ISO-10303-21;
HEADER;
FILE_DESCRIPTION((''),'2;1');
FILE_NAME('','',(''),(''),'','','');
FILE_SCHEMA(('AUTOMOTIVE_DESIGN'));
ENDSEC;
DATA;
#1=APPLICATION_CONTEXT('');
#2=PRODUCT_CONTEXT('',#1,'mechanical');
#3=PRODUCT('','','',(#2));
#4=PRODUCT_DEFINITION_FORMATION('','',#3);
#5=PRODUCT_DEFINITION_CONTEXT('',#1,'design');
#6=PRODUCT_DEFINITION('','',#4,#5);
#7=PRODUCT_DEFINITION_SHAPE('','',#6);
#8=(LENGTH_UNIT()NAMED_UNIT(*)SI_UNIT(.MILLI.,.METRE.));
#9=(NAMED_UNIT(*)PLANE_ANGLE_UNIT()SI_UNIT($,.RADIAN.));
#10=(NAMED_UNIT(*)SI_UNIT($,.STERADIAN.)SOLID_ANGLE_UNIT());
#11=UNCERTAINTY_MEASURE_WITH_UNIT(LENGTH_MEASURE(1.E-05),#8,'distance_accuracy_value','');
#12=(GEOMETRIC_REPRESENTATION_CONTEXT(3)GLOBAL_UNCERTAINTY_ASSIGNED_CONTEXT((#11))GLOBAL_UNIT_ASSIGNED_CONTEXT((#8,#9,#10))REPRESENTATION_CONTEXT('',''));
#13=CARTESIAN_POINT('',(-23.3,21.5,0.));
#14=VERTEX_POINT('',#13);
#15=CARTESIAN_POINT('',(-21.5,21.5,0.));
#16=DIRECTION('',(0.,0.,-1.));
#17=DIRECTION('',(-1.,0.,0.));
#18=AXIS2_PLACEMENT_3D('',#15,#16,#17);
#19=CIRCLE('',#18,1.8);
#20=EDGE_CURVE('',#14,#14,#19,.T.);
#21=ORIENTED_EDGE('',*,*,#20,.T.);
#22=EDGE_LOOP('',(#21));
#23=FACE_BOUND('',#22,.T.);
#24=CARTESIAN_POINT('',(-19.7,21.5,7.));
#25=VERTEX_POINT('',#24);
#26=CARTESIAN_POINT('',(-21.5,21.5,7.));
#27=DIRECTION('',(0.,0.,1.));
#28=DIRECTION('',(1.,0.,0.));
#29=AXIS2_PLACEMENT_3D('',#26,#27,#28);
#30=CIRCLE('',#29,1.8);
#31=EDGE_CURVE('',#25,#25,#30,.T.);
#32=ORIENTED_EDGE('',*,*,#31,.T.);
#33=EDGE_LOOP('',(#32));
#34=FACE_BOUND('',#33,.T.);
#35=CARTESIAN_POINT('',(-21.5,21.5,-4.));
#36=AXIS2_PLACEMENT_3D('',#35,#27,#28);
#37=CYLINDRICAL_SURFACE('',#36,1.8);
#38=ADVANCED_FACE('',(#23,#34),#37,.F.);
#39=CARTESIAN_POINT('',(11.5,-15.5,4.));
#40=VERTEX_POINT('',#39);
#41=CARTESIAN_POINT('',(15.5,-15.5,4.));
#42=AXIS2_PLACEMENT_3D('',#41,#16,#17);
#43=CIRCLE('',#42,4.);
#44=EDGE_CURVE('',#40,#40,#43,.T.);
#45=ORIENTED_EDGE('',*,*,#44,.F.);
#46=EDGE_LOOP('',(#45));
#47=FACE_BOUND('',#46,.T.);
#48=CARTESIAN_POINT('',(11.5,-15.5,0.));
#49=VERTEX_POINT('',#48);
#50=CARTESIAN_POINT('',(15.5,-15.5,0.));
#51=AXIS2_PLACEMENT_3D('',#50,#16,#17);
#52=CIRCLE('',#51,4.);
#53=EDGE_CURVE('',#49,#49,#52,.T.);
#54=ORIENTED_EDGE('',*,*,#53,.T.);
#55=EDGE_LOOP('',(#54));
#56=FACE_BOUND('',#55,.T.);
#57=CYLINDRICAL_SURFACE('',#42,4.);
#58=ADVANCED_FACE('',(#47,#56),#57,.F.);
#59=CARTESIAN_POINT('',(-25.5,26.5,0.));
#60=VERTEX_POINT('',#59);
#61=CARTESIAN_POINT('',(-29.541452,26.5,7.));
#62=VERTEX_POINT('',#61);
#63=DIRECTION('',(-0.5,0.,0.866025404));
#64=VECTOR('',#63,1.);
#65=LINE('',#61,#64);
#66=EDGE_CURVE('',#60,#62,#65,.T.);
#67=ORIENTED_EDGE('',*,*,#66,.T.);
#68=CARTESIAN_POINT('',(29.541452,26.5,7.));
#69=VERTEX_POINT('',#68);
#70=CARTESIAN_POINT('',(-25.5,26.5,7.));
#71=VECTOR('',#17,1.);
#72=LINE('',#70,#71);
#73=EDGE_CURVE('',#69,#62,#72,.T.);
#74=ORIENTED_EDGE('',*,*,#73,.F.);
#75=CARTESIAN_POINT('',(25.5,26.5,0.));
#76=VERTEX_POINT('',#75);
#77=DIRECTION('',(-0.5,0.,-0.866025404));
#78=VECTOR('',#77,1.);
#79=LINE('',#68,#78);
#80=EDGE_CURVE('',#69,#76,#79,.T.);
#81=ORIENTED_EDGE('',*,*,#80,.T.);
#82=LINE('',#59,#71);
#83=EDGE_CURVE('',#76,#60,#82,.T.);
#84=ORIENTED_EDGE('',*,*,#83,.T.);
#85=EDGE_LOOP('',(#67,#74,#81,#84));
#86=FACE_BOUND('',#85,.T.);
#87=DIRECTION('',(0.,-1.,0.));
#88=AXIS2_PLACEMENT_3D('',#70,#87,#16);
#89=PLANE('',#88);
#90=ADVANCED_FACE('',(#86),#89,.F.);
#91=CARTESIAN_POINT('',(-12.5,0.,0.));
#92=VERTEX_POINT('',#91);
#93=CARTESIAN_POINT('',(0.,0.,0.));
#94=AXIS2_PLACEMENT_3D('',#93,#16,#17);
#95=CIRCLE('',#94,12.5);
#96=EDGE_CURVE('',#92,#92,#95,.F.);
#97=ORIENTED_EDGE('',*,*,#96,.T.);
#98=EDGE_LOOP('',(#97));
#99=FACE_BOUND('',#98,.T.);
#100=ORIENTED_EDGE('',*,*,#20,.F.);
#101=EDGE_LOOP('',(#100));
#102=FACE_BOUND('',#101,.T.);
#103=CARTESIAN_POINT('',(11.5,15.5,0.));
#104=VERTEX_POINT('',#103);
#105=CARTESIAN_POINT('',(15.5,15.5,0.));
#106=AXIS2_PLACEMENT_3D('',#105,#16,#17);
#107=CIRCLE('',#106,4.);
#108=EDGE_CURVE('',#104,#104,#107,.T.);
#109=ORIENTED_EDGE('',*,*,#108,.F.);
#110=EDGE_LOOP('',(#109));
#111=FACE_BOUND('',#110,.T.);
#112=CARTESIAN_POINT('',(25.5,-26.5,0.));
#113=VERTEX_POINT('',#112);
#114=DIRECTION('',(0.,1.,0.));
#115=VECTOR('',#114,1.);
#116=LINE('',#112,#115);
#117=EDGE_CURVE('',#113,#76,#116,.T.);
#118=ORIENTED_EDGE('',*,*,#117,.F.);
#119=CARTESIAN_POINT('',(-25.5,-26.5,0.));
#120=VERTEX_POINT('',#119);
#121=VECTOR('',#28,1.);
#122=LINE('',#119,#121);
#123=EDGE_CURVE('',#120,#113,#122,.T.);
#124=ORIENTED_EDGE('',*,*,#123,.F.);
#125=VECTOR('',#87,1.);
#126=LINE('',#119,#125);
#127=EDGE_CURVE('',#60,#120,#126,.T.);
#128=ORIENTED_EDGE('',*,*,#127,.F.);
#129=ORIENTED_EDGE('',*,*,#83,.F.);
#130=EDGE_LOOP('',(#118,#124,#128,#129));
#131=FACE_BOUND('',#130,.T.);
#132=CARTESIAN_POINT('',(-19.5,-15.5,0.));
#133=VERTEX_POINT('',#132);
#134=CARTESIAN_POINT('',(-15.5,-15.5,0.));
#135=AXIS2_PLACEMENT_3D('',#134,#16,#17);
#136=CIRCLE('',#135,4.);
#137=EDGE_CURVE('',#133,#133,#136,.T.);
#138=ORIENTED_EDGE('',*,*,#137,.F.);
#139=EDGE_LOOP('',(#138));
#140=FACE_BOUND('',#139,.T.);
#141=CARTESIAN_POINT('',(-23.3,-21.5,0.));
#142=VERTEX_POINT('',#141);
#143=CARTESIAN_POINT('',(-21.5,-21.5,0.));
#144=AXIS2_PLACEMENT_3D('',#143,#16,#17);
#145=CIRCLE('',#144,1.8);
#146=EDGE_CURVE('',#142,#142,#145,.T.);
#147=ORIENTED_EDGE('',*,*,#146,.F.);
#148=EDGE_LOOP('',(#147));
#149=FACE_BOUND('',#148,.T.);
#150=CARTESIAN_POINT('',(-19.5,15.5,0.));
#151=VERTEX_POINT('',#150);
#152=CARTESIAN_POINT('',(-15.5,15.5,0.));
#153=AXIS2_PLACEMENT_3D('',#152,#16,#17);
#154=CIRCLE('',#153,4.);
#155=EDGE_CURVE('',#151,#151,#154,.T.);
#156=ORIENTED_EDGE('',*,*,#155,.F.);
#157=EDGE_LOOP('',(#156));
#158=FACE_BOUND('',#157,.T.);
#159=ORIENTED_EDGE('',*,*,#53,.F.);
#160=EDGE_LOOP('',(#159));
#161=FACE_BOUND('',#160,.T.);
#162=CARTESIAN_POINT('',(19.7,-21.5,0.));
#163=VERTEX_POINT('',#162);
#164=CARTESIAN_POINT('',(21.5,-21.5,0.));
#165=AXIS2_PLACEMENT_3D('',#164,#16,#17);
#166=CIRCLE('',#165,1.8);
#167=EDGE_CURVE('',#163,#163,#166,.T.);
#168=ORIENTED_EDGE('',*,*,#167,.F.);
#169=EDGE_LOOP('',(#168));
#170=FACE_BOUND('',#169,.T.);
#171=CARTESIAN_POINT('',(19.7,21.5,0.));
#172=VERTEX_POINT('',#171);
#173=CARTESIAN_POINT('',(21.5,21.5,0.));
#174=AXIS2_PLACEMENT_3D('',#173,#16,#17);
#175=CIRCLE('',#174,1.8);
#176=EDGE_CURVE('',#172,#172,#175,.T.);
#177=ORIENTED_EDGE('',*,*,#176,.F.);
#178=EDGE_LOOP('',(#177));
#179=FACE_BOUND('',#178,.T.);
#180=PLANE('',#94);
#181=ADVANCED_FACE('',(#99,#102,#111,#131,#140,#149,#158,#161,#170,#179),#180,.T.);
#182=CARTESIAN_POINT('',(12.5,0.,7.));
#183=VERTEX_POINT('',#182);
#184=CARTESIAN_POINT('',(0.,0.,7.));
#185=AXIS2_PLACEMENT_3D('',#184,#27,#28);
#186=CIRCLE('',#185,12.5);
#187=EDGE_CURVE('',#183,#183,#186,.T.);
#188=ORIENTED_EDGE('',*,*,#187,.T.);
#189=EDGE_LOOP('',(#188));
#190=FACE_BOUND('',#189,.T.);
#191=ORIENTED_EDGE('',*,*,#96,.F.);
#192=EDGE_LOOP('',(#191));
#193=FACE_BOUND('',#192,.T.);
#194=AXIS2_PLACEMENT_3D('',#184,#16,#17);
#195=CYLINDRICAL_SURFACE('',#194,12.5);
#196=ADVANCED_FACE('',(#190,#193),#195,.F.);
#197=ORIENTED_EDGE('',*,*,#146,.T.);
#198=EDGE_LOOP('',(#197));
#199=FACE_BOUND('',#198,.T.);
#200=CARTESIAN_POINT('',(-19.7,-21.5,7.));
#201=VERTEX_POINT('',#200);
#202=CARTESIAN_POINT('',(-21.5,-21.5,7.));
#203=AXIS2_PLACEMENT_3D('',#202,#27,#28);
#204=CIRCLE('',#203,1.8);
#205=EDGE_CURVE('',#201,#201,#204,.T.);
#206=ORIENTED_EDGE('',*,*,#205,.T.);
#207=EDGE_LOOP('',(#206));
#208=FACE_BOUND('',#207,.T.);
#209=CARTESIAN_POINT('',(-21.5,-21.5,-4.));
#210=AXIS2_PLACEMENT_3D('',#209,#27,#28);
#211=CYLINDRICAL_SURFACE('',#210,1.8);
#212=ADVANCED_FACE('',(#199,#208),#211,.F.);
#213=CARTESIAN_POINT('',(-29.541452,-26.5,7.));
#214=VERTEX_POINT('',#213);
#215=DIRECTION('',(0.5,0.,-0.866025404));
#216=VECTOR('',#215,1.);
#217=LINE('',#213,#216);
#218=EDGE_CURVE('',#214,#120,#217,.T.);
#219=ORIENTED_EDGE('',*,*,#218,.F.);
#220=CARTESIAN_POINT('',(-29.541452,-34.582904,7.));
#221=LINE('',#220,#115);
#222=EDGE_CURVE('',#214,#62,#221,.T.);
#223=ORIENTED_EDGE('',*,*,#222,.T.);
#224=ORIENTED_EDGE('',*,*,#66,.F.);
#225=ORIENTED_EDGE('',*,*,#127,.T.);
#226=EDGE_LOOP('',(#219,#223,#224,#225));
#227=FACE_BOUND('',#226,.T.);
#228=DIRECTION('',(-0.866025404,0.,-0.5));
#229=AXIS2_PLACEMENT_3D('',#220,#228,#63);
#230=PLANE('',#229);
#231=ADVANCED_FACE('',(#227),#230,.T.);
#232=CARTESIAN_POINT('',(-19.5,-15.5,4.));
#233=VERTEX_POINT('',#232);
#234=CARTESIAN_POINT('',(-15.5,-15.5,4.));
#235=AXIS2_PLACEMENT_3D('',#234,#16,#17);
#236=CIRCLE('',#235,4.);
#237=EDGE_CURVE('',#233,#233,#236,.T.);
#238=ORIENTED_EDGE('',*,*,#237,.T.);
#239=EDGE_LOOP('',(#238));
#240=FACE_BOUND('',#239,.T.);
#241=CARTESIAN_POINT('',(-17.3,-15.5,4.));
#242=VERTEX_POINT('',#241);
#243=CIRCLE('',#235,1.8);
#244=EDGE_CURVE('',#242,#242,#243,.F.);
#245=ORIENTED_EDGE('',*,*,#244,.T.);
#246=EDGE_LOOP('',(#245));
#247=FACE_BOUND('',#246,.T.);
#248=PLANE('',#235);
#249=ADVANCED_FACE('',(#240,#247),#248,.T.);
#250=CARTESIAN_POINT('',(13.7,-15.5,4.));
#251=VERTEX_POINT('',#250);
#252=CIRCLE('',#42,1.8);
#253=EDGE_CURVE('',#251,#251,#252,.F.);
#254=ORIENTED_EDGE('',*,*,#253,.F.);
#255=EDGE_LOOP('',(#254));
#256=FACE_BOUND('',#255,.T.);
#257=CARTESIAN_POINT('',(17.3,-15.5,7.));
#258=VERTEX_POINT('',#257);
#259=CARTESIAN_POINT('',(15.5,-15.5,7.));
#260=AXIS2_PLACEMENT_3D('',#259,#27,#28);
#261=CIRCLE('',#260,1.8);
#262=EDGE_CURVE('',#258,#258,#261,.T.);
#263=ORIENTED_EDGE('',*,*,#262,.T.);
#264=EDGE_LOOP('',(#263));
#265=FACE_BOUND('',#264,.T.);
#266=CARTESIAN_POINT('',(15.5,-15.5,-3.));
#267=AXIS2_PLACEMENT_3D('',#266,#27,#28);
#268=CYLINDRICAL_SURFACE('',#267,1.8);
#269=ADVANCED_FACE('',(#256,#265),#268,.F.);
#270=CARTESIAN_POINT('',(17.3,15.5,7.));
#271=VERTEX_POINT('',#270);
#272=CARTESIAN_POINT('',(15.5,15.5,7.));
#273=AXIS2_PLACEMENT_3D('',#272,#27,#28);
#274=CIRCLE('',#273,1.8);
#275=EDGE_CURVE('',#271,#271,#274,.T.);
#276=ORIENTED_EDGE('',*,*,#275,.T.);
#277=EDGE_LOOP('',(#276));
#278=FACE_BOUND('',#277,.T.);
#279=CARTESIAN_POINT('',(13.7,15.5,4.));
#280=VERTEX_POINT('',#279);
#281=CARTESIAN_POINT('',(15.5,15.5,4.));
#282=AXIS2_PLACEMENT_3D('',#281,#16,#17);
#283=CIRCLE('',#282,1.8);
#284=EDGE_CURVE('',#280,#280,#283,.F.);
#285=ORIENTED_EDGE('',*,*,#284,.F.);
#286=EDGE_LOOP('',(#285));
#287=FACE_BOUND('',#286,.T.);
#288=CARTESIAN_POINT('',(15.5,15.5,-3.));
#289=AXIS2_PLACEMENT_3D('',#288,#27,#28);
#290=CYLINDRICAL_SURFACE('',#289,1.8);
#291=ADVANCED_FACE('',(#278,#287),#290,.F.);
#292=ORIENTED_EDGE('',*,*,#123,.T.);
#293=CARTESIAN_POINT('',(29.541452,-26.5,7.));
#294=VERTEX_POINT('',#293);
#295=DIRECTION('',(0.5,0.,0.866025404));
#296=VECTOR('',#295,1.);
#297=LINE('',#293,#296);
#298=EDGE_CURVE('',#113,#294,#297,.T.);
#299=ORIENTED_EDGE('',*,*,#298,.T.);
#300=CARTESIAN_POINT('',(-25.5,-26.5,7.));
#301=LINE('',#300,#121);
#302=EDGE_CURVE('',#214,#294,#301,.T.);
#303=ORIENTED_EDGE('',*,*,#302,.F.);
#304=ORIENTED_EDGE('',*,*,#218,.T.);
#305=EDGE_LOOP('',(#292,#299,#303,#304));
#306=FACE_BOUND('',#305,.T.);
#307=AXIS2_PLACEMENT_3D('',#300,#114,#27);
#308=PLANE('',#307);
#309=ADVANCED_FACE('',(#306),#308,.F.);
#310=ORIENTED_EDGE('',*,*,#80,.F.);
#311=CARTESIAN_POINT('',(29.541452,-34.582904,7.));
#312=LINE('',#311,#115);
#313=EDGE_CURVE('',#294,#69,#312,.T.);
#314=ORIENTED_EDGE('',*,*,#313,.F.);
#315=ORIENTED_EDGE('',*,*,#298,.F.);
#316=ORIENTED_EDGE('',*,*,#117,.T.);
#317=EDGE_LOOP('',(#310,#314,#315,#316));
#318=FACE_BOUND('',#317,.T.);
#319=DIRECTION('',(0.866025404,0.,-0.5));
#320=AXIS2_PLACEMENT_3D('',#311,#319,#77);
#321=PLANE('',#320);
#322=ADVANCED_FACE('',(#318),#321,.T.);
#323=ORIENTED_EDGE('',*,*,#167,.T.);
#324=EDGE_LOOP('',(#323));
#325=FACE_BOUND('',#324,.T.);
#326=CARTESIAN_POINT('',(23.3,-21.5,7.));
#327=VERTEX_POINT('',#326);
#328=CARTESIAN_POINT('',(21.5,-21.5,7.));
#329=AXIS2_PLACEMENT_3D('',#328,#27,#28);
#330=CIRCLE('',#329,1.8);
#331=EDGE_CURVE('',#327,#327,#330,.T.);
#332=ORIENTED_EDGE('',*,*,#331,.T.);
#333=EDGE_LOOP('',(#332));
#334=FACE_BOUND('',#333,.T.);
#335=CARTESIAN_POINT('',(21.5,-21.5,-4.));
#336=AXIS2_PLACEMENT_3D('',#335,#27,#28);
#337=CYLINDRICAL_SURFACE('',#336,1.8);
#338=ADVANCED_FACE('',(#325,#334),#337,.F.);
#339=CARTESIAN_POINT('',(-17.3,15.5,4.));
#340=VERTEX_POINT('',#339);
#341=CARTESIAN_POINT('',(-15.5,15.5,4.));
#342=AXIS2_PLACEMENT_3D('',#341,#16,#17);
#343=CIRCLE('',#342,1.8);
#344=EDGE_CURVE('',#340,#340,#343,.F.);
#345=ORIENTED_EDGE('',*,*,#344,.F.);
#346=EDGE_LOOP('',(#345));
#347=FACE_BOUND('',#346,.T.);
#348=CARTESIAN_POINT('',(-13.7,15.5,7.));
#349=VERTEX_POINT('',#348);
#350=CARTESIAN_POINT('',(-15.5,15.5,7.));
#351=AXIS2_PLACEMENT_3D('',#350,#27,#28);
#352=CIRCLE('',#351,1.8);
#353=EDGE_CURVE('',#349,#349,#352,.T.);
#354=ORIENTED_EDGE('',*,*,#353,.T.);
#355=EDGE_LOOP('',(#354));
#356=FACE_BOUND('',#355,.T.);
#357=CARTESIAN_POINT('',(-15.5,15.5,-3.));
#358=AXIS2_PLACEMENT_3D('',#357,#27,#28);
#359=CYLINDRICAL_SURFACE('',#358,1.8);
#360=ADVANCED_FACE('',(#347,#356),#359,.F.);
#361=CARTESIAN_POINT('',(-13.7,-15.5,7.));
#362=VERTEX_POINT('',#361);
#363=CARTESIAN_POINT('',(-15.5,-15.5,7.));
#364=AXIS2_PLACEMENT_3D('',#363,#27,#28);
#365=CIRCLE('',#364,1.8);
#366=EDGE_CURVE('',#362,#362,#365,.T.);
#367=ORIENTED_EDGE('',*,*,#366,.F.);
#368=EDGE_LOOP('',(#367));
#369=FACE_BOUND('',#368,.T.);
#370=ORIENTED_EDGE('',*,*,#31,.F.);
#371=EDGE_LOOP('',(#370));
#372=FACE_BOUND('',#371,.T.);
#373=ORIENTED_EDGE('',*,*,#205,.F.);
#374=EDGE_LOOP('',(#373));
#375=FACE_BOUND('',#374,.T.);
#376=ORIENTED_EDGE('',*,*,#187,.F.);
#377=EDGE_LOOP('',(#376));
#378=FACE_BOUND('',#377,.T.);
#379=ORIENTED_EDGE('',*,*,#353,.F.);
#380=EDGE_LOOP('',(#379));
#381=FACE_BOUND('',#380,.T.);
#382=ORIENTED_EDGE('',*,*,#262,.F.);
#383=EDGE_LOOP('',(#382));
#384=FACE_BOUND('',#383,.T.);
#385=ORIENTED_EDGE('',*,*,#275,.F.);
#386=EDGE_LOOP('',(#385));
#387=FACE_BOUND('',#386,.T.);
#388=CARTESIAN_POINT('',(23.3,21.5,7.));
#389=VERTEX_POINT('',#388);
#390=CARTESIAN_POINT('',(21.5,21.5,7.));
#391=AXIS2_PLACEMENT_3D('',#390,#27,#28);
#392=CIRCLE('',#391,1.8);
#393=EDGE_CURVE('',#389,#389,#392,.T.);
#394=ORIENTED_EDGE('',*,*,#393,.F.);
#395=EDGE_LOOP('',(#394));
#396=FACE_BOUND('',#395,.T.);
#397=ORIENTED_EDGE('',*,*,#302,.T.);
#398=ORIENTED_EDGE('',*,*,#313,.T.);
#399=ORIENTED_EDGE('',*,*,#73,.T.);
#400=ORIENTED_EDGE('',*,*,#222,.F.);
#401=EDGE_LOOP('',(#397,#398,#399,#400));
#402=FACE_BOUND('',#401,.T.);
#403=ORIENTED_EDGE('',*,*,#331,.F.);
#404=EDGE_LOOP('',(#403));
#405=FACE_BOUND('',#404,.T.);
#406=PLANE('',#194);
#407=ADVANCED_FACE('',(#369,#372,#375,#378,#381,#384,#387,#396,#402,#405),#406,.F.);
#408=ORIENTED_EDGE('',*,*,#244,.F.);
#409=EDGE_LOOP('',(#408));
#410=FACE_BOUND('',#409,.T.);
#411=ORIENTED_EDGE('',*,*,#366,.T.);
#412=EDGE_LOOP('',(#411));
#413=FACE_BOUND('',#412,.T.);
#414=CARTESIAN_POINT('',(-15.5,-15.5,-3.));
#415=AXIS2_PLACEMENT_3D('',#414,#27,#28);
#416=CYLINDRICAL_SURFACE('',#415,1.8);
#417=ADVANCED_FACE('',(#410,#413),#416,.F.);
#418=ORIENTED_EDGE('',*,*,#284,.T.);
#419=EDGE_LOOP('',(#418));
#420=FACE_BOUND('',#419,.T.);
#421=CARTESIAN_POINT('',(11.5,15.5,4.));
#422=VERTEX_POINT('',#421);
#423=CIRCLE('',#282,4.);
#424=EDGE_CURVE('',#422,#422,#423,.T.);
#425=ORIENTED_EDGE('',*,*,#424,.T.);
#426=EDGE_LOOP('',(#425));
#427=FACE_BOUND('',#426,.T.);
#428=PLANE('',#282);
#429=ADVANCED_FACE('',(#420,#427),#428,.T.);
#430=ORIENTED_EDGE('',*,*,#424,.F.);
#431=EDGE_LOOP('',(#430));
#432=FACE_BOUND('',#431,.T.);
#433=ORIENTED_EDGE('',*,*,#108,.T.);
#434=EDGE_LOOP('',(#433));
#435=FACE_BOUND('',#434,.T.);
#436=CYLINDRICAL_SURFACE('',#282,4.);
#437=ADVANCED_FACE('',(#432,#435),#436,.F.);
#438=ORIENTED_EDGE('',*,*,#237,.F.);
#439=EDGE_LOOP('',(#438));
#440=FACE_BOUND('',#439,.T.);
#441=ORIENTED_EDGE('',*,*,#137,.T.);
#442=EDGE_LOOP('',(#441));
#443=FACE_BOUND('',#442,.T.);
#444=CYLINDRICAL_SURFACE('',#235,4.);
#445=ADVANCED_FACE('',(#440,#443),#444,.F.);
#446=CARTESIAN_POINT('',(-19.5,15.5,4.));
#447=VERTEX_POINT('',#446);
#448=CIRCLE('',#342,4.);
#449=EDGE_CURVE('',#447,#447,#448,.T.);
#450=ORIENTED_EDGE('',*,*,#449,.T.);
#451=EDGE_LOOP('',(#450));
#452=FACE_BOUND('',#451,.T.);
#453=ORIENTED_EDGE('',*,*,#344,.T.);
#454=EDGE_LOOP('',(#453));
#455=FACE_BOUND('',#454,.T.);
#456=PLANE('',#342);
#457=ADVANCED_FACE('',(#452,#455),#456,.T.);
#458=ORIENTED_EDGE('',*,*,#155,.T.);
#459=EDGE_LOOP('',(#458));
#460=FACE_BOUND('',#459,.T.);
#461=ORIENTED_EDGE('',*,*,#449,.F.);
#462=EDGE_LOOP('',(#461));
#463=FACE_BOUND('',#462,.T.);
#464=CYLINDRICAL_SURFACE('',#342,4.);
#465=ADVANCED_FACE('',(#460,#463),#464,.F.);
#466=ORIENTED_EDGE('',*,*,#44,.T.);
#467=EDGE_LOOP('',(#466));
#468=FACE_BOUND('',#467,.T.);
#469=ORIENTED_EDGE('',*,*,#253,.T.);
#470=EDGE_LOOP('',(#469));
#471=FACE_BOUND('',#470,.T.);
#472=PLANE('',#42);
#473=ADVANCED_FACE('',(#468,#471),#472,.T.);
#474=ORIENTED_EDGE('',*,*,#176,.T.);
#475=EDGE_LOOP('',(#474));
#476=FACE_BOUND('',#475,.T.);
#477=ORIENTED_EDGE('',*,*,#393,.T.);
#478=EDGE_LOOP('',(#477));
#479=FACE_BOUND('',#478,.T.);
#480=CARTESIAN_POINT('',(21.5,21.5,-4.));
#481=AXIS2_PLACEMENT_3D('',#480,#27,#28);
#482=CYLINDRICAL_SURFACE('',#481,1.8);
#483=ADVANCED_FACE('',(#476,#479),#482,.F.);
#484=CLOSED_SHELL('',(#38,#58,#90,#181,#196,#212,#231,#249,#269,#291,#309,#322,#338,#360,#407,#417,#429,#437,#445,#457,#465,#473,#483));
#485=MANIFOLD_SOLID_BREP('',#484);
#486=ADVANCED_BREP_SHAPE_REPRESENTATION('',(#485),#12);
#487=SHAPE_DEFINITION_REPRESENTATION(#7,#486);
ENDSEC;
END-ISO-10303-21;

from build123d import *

# Parameters (mm, degrees)
SKETCH1_W               = 51
SKETCH1_H               = 53
BOSS_EXTRUDE1_DEPTH     = 7
CUT_EXTRUDE3_DEPTH      = 38.436613095
CUT_EXTRUDE3_DEPTH_BACK = 10
SKETCH2_R               = 12.5
SKETCH3_R               = 1.8
CUT_EXTRUDE4_DEPTH      = 10
SKETCH4_R               = 1.8
CUT_EXTRUDE5_DEPTH      = 11
BOSS_EXTRUDE2_DEPTH     = 53
SKETCH6_R               = 4
CUT_EXTRUDE6_DEPTH      = 4


with BuildPart() as part:
    # Sketch1 → Boss-Extrude1 (new body)
    with BuildSketch(Plane.XY):
        Rectangle(SKETCH1_W, SKETCH1_H)
    extrude(amount=BOSS_EXTRUDE1_DEPTH)

    # Sketch2 → Cut-Extrude3 (cut, two sides: drawn at the far end of the back side and taken through both)
    with BuildSketch(Plane.XY.offset(-CUT_EXTRUDE3_DEPTH_BACK)):
        with Locations(Location((0, 0, 0), (0, 0, 180))):
            Circle(SKETCH2_R)
    extrude(amount=CUT_EXTRUDE3_DEPTH + CUT_EXTRUDE3_DEPTH_BACK, mode=Mode.SUBTRACT)

    # Sketch3 → Cut-Extrude4 (cut)
    with BuildSketch(Plane.XY.offset(7)):
        with Locations((-15.5, 15.5)):
            Circle(SKETCH3_R)
        with Locations((15.5, 15.5)):
            Circle(SKETCH3_R)
        with Locations((15.5, -15.5)):
            Circle(SKETCH3_R)
        with Locations((-15.5, -15.5)):
            Circle(SKETCH3_R)
    extrude(amount=-CUT_EXTRUDE4_DEPTH, mode=Mode.SUBTRACT)

    # Sketch4 → Cut-Extrude5 (cut)
    with BuildSketch(Plane.XY.offset(7)):
        with Locations((-21.5, 21.5)):
            Circle(SKETCH4_R)
        with Locations((21.5, 21.5)):
            Circle(SKETCH4_R)
        with Locations((21.5, -21.5)):
            Circle(SKETCH4_R)
        with Locations((-21.5, -21.5)):
            Circle(SKETCH4_R)
    extrude(amount=-CUT_EXTRUDE5_DEPTH, mode=Mode.SUBTRACT)

    # Sketch5 → Boss-Extrude2 (add)
    with BuildSketch(Plane(origin=(0, 26.5, 0), x_dir=(1, 0, 0), z_dir=(0, 1, 0))):
        Polygon((-25.5, -7), (-29.541451884, -7), (-25.5, 0), align=None)
        Polygon((25.5, 0), (25.5, -7), (29.541451884, -7), align=None)
    extrude(amount=-BOSS_EXTRUDE2_DEPTH)

    # Sketch6 → Cut-Extrude6 (cut)
    with BuildSketch(Plane(origin=(0, 0, 0), x_dir=(-1, 0, 0), z_dir=(0, 0, -1))):
        with Locations((-15.5, 15.5)):
            Circle(SKETCH6_R)
        with Locations((15.5, 15.5)):
            Circle(SKETCH6_R)
        with Locations((15.5, -15.5)):
            Circle(SKETCH6_R)
        with Locations((-15.5, -15.5)):
            Circle(SKETCH6_R)
    extrude(amount=-CUT_EXTRUDE6_DEPTH, mode=Mode.SUBTRACT)


solid = part.part
